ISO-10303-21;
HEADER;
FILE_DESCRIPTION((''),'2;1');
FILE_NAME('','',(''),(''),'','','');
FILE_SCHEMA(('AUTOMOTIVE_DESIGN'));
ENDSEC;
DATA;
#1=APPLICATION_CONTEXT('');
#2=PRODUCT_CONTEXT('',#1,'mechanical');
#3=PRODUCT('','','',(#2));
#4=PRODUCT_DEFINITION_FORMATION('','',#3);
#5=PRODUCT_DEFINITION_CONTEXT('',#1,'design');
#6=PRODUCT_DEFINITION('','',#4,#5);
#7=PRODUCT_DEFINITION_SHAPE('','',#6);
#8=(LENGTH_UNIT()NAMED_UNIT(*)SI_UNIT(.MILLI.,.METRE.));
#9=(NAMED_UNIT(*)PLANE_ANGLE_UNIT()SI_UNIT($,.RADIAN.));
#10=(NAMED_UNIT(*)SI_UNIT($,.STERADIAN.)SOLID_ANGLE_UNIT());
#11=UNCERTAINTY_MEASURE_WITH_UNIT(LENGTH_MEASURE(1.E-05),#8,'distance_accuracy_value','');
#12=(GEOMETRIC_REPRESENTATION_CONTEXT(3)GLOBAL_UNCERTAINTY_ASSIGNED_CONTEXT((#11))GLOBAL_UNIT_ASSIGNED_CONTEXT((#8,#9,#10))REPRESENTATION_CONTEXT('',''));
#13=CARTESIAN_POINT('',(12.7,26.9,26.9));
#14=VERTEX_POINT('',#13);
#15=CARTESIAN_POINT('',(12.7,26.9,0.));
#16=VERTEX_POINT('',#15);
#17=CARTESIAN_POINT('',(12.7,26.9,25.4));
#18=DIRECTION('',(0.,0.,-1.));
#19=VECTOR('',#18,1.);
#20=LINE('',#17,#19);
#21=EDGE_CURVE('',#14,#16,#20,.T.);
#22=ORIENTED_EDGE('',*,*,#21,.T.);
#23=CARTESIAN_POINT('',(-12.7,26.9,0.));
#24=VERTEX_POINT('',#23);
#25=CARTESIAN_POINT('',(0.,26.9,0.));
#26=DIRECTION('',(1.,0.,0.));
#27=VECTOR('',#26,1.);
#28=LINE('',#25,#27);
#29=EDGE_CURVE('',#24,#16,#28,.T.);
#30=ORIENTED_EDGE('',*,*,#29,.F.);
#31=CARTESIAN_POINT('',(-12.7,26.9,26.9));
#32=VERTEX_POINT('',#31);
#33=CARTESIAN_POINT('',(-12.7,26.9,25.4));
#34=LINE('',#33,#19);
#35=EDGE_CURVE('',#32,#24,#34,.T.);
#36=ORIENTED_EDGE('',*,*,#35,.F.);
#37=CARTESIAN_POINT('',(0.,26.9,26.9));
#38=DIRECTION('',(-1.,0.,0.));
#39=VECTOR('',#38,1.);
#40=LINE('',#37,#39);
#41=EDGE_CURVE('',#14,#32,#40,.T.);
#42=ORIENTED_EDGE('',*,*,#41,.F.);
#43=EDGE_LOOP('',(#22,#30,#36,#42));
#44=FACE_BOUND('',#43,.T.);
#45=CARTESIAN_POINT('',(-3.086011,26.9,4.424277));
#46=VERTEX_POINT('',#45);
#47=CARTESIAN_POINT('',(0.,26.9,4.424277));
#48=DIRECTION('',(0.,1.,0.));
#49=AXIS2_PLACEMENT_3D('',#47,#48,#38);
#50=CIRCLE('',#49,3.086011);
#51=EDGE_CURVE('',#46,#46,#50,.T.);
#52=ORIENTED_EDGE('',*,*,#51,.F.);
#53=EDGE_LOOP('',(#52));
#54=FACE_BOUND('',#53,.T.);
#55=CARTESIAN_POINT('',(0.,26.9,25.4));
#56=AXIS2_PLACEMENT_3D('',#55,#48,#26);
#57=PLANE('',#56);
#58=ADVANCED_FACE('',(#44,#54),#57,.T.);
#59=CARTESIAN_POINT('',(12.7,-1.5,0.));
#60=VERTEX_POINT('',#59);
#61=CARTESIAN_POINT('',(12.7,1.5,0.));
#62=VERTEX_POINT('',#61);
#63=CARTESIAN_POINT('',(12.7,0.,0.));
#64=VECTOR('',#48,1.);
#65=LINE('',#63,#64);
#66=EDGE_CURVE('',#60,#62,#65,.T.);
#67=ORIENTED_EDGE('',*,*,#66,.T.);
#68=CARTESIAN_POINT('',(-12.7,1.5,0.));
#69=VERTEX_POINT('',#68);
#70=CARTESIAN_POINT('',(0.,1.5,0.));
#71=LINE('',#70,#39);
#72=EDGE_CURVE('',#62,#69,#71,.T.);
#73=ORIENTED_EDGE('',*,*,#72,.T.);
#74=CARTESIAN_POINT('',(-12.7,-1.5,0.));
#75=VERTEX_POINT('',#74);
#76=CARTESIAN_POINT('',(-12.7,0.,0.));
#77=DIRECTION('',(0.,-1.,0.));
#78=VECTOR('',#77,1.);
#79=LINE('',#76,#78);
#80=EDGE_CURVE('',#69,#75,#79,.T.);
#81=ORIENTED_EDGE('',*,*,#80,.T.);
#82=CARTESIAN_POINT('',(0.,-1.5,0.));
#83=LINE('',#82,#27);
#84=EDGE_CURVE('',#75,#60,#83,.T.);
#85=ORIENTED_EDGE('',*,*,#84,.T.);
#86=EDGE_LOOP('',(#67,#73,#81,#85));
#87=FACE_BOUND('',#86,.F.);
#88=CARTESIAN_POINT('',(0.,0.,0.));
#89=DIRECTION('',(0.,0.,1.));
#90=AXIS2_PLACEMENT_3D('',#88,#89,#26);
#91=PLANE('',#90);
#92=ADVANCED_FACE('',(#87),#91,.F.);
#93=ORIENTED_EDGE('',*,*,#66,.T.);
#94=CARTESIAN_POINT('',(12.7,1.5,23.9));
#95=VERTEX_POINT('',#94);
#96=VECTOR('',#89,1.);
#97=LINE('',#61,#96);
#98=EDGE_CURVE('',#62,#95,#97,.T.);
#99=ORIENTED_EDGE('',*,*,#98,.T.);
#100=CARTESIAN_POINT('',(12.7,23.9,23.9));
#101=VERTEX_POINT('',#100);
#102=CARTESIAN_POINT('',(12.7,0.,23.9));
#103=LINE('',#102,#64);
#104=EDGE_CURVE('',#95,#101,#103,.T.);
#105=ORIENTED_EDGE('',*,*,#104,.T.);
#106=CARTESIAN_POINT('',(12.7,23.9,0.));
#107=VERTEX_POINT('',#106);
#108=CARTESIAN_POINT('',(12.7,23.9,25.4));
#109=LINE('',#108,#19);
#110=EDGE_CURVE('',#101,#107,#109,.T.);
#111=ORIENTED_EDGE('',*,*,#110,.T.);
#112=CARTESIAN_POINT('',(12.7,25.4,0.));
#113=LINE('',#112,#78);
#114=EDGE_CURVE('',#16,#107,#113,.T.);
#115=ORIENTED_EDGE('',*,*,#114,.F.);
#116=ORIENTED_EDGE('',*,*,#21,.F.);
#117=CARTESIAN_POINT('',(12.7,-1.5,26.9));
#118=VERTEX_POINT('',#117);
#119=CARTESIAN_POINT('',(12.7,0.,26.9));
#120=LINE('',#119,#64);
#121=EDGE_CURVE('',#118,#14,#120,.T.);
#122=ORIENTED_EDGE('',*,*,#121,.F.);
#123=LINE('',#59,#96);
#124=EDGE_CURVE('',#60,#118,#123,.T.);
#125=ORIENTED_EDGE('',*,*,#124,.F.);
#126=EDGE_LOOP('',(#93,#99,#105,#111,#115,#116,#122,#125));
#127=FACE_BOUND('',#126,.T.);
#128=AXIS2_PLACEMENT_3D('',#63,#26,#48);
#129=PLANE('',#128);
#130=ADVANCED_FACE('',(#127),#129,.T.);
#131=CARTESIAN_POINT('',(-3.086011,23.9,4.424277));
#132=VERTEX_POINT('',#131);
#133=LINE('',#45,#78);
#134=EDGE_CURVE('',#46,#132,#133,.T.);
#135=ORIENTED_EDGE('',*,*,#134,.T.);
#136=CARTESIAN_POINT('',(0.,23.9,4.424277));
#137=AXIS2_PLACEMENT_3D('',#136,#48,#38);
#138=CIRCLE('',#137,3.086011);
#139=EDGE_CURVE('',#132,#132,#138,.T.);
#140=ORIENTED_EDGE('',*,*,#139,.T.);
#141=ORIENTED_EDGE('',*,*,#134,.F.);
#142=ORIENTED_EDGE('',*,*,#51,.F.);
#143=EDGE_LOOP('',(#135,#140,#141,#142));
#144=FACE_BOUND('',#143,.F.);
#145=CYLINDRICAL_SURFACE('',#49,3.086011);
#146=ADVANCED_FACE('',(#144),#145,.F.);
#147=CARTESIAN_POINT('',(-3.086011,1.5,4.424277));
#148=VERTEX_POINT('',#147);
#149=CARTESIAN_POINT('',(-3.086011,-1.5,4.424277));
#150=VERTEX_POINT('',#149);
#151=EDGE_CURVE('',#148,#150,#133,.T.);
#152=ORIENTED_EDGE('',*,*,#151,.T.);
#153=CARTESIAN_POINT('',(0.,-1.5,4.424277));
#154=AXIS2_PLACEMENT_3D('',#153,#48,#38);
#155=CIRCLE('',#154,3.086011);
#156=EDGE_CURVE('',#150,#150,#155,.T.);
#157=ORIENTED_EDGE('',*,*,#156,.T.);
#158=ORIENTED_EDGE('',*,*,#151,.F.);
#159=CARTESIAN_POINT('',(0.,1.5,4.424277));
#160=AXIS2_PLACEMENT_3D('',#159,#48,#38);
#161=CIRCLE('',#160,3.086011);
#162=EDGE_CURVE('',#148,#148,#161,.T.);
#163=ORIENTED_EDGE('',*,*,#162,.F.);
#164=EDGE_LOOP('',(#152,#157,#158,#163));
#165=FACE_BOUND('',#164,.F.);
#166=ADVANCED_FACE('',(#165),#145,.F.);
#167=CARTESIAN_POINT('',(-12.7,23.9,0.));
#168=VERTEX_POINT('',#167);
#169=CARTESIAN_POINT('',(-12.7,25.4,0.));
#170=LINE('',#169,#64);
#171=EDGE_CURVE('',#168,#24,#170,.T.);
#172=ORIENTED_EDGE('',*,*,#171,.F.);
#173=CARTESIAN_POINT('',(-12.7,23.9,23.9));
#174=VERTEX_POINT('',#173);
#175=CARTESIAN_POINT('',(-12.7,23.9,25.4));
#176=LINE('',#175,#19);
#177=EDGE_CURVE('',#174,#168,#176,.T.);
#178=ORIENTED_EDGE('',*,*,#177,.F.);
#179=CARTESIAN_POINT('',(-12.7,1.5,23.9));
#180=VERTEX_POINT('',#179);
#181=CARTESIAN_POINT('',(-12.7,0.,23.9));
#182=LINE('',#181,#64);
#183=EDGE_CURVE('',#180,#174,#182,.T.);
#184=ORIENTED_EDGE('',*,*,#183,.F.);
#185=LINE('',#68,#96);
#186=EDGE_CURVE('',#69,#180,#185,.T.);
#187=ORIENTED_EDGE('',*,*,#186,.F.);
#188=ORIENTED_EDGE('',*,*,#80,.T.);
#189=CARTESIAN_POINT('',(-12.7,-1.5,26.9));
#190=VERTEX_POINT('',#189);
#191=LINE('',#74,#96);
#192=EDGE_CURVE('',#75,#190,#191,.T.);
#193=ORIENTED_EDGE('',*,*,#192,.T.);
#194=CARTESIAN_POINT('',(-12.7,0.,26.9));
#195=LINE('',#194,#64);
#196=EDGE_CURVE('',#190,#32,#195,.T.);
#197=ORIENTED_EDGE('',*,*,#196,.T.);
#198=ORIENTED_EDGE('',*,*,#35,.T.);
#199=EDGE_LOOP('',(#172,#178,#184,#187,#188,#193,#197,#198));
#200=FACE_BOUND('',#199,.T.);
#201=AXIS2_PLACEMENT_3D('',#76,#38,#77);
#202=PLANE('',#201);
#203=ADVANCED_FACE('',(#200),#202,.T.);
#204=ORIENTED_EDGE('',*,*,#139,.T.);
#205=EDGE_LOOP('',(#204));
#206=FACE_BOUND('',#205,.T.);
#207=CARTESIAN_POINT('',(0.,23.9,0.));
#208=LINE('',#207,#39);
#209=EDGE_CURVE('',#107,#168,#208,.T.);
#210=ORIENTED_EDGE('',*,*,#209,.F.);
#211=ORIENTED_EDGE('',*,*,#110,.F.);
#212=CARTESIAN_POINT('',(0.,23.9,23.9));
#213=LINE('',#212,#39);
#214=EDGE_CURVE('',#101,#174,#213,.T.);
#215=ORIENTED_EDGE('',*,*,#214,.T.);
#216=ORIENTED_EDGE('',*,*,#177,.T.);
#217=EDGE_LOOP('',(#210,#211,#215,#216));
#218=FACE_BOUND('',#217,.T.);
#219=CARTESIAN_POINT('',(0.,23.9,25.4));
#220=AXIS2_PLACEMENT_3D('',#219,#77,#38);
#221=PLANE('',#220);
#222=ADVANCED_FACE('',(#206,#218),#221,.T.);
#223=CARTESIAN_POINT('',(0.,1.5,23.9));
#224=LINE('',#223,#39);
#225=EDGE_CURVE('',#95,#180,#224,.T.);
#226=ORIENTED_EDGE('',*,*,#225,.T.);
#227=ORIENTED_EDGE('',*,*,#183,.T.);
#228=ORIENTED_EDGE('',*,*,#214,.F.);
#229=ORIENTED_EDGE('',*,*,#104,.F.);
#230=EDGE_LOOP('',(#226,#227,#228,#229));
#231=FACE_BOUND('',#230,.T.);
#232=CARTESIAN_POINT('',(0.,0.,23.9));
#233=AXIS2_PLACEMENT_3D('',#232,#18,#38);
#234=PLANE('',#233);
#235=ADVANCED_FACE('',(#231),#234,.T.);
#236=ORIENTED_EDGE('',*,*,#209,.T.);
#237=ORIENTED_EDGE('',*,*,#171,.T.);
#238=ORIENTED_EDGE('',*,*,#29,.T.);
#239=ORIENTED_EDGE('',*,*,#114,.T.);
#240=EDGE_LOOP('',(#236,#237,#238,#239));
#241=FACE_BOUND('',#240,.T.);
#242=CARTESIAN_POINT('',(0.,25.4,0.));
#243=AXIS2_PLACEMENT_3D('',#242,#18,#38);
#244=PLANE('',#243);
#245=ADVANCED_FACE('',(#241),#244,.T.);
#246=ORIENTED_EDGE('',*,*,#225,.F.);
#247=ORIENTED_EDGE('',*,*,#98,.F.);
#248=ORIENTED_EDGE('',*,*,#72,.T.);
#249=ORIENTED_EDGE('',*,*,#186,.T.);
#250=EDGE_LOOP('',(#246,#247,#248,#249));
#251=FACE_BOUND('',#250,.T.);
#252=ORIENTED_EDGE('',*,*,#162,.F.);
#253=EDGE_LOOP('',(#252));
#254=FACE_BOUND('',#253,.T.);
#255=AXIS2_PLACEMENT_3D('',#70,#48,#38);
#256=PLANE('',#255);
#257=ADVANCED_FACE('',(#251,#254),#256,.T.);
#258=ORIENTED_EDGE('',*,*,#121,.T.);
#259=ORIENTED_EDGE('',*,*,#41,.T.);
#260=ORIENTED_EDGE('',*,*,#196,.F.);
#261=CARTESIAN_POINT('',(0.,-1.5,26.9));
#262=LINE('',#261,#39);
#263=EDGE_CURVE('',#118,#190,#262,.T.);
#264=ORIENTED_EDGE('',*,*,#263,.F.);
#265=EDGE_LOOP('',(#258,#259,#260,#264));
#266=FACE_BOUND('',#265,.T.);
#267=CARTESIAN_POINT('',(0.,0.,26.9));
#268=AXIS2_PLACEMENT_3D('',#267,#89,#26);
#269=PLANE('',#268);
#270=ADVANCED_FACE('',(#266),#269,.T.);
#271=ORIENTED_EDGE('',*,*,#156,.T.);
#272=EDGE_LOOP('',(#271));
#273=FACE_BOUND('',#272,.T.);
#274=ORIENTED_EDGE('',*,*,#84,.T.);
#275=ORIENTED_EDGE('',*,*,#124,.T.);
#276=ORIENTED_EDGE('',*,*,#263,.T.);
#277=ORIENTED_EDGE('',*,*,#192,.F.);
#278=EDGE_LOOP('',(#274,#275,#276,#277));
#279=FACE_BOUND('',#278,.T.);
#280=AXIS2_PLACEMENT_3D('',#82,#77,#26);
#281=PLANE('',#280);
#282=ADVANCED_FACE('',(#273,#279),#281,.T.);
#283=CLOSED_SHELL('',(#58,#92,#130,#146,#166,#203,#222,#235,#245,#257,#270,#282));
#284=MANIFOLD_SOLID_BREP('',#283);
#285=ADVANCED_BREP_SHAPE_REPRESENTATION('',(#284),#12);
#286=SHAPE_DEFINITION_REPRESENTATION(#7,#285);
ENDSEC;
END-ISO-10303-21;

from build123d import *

# Parameters (mm, degrees)
F1_W     = 25.4
F1_H     = 3
F3_R     = 3.0860112986
F4_DEPTH = 48.3815874904


with BuildPart() as f2:
    # F2: sweep along a path in F0
    with BuildLine(Plane.YZ) as f2_path:
        Line((0, 0), (0, 25.4))
        Line((0, 25.4), (25.4, 25.4))
        Line((25.4, 25.4), (25.4, 0))
    # F1 (on Top) → F2 (sweep)
    with BuildSketch(Plane.XY):
        Rectangle(F1_W, F1_H)
    sweep(path=f2_path.line, transition=Transition.RIGHT)

    # F3 (on face) → F4 (cut)
    with BuildSketch(Plane(origin=(0, 26.9, 0), x_dir=(-1, 0, 0), z_dir=(0, 1, 0))):
        with Locations((0, 4.4242767617)):
            Circle(F3_R)
    extrude(amount=-F4_DEPTH, mode=Mode.SUBTRACT)


solid = f2.part
